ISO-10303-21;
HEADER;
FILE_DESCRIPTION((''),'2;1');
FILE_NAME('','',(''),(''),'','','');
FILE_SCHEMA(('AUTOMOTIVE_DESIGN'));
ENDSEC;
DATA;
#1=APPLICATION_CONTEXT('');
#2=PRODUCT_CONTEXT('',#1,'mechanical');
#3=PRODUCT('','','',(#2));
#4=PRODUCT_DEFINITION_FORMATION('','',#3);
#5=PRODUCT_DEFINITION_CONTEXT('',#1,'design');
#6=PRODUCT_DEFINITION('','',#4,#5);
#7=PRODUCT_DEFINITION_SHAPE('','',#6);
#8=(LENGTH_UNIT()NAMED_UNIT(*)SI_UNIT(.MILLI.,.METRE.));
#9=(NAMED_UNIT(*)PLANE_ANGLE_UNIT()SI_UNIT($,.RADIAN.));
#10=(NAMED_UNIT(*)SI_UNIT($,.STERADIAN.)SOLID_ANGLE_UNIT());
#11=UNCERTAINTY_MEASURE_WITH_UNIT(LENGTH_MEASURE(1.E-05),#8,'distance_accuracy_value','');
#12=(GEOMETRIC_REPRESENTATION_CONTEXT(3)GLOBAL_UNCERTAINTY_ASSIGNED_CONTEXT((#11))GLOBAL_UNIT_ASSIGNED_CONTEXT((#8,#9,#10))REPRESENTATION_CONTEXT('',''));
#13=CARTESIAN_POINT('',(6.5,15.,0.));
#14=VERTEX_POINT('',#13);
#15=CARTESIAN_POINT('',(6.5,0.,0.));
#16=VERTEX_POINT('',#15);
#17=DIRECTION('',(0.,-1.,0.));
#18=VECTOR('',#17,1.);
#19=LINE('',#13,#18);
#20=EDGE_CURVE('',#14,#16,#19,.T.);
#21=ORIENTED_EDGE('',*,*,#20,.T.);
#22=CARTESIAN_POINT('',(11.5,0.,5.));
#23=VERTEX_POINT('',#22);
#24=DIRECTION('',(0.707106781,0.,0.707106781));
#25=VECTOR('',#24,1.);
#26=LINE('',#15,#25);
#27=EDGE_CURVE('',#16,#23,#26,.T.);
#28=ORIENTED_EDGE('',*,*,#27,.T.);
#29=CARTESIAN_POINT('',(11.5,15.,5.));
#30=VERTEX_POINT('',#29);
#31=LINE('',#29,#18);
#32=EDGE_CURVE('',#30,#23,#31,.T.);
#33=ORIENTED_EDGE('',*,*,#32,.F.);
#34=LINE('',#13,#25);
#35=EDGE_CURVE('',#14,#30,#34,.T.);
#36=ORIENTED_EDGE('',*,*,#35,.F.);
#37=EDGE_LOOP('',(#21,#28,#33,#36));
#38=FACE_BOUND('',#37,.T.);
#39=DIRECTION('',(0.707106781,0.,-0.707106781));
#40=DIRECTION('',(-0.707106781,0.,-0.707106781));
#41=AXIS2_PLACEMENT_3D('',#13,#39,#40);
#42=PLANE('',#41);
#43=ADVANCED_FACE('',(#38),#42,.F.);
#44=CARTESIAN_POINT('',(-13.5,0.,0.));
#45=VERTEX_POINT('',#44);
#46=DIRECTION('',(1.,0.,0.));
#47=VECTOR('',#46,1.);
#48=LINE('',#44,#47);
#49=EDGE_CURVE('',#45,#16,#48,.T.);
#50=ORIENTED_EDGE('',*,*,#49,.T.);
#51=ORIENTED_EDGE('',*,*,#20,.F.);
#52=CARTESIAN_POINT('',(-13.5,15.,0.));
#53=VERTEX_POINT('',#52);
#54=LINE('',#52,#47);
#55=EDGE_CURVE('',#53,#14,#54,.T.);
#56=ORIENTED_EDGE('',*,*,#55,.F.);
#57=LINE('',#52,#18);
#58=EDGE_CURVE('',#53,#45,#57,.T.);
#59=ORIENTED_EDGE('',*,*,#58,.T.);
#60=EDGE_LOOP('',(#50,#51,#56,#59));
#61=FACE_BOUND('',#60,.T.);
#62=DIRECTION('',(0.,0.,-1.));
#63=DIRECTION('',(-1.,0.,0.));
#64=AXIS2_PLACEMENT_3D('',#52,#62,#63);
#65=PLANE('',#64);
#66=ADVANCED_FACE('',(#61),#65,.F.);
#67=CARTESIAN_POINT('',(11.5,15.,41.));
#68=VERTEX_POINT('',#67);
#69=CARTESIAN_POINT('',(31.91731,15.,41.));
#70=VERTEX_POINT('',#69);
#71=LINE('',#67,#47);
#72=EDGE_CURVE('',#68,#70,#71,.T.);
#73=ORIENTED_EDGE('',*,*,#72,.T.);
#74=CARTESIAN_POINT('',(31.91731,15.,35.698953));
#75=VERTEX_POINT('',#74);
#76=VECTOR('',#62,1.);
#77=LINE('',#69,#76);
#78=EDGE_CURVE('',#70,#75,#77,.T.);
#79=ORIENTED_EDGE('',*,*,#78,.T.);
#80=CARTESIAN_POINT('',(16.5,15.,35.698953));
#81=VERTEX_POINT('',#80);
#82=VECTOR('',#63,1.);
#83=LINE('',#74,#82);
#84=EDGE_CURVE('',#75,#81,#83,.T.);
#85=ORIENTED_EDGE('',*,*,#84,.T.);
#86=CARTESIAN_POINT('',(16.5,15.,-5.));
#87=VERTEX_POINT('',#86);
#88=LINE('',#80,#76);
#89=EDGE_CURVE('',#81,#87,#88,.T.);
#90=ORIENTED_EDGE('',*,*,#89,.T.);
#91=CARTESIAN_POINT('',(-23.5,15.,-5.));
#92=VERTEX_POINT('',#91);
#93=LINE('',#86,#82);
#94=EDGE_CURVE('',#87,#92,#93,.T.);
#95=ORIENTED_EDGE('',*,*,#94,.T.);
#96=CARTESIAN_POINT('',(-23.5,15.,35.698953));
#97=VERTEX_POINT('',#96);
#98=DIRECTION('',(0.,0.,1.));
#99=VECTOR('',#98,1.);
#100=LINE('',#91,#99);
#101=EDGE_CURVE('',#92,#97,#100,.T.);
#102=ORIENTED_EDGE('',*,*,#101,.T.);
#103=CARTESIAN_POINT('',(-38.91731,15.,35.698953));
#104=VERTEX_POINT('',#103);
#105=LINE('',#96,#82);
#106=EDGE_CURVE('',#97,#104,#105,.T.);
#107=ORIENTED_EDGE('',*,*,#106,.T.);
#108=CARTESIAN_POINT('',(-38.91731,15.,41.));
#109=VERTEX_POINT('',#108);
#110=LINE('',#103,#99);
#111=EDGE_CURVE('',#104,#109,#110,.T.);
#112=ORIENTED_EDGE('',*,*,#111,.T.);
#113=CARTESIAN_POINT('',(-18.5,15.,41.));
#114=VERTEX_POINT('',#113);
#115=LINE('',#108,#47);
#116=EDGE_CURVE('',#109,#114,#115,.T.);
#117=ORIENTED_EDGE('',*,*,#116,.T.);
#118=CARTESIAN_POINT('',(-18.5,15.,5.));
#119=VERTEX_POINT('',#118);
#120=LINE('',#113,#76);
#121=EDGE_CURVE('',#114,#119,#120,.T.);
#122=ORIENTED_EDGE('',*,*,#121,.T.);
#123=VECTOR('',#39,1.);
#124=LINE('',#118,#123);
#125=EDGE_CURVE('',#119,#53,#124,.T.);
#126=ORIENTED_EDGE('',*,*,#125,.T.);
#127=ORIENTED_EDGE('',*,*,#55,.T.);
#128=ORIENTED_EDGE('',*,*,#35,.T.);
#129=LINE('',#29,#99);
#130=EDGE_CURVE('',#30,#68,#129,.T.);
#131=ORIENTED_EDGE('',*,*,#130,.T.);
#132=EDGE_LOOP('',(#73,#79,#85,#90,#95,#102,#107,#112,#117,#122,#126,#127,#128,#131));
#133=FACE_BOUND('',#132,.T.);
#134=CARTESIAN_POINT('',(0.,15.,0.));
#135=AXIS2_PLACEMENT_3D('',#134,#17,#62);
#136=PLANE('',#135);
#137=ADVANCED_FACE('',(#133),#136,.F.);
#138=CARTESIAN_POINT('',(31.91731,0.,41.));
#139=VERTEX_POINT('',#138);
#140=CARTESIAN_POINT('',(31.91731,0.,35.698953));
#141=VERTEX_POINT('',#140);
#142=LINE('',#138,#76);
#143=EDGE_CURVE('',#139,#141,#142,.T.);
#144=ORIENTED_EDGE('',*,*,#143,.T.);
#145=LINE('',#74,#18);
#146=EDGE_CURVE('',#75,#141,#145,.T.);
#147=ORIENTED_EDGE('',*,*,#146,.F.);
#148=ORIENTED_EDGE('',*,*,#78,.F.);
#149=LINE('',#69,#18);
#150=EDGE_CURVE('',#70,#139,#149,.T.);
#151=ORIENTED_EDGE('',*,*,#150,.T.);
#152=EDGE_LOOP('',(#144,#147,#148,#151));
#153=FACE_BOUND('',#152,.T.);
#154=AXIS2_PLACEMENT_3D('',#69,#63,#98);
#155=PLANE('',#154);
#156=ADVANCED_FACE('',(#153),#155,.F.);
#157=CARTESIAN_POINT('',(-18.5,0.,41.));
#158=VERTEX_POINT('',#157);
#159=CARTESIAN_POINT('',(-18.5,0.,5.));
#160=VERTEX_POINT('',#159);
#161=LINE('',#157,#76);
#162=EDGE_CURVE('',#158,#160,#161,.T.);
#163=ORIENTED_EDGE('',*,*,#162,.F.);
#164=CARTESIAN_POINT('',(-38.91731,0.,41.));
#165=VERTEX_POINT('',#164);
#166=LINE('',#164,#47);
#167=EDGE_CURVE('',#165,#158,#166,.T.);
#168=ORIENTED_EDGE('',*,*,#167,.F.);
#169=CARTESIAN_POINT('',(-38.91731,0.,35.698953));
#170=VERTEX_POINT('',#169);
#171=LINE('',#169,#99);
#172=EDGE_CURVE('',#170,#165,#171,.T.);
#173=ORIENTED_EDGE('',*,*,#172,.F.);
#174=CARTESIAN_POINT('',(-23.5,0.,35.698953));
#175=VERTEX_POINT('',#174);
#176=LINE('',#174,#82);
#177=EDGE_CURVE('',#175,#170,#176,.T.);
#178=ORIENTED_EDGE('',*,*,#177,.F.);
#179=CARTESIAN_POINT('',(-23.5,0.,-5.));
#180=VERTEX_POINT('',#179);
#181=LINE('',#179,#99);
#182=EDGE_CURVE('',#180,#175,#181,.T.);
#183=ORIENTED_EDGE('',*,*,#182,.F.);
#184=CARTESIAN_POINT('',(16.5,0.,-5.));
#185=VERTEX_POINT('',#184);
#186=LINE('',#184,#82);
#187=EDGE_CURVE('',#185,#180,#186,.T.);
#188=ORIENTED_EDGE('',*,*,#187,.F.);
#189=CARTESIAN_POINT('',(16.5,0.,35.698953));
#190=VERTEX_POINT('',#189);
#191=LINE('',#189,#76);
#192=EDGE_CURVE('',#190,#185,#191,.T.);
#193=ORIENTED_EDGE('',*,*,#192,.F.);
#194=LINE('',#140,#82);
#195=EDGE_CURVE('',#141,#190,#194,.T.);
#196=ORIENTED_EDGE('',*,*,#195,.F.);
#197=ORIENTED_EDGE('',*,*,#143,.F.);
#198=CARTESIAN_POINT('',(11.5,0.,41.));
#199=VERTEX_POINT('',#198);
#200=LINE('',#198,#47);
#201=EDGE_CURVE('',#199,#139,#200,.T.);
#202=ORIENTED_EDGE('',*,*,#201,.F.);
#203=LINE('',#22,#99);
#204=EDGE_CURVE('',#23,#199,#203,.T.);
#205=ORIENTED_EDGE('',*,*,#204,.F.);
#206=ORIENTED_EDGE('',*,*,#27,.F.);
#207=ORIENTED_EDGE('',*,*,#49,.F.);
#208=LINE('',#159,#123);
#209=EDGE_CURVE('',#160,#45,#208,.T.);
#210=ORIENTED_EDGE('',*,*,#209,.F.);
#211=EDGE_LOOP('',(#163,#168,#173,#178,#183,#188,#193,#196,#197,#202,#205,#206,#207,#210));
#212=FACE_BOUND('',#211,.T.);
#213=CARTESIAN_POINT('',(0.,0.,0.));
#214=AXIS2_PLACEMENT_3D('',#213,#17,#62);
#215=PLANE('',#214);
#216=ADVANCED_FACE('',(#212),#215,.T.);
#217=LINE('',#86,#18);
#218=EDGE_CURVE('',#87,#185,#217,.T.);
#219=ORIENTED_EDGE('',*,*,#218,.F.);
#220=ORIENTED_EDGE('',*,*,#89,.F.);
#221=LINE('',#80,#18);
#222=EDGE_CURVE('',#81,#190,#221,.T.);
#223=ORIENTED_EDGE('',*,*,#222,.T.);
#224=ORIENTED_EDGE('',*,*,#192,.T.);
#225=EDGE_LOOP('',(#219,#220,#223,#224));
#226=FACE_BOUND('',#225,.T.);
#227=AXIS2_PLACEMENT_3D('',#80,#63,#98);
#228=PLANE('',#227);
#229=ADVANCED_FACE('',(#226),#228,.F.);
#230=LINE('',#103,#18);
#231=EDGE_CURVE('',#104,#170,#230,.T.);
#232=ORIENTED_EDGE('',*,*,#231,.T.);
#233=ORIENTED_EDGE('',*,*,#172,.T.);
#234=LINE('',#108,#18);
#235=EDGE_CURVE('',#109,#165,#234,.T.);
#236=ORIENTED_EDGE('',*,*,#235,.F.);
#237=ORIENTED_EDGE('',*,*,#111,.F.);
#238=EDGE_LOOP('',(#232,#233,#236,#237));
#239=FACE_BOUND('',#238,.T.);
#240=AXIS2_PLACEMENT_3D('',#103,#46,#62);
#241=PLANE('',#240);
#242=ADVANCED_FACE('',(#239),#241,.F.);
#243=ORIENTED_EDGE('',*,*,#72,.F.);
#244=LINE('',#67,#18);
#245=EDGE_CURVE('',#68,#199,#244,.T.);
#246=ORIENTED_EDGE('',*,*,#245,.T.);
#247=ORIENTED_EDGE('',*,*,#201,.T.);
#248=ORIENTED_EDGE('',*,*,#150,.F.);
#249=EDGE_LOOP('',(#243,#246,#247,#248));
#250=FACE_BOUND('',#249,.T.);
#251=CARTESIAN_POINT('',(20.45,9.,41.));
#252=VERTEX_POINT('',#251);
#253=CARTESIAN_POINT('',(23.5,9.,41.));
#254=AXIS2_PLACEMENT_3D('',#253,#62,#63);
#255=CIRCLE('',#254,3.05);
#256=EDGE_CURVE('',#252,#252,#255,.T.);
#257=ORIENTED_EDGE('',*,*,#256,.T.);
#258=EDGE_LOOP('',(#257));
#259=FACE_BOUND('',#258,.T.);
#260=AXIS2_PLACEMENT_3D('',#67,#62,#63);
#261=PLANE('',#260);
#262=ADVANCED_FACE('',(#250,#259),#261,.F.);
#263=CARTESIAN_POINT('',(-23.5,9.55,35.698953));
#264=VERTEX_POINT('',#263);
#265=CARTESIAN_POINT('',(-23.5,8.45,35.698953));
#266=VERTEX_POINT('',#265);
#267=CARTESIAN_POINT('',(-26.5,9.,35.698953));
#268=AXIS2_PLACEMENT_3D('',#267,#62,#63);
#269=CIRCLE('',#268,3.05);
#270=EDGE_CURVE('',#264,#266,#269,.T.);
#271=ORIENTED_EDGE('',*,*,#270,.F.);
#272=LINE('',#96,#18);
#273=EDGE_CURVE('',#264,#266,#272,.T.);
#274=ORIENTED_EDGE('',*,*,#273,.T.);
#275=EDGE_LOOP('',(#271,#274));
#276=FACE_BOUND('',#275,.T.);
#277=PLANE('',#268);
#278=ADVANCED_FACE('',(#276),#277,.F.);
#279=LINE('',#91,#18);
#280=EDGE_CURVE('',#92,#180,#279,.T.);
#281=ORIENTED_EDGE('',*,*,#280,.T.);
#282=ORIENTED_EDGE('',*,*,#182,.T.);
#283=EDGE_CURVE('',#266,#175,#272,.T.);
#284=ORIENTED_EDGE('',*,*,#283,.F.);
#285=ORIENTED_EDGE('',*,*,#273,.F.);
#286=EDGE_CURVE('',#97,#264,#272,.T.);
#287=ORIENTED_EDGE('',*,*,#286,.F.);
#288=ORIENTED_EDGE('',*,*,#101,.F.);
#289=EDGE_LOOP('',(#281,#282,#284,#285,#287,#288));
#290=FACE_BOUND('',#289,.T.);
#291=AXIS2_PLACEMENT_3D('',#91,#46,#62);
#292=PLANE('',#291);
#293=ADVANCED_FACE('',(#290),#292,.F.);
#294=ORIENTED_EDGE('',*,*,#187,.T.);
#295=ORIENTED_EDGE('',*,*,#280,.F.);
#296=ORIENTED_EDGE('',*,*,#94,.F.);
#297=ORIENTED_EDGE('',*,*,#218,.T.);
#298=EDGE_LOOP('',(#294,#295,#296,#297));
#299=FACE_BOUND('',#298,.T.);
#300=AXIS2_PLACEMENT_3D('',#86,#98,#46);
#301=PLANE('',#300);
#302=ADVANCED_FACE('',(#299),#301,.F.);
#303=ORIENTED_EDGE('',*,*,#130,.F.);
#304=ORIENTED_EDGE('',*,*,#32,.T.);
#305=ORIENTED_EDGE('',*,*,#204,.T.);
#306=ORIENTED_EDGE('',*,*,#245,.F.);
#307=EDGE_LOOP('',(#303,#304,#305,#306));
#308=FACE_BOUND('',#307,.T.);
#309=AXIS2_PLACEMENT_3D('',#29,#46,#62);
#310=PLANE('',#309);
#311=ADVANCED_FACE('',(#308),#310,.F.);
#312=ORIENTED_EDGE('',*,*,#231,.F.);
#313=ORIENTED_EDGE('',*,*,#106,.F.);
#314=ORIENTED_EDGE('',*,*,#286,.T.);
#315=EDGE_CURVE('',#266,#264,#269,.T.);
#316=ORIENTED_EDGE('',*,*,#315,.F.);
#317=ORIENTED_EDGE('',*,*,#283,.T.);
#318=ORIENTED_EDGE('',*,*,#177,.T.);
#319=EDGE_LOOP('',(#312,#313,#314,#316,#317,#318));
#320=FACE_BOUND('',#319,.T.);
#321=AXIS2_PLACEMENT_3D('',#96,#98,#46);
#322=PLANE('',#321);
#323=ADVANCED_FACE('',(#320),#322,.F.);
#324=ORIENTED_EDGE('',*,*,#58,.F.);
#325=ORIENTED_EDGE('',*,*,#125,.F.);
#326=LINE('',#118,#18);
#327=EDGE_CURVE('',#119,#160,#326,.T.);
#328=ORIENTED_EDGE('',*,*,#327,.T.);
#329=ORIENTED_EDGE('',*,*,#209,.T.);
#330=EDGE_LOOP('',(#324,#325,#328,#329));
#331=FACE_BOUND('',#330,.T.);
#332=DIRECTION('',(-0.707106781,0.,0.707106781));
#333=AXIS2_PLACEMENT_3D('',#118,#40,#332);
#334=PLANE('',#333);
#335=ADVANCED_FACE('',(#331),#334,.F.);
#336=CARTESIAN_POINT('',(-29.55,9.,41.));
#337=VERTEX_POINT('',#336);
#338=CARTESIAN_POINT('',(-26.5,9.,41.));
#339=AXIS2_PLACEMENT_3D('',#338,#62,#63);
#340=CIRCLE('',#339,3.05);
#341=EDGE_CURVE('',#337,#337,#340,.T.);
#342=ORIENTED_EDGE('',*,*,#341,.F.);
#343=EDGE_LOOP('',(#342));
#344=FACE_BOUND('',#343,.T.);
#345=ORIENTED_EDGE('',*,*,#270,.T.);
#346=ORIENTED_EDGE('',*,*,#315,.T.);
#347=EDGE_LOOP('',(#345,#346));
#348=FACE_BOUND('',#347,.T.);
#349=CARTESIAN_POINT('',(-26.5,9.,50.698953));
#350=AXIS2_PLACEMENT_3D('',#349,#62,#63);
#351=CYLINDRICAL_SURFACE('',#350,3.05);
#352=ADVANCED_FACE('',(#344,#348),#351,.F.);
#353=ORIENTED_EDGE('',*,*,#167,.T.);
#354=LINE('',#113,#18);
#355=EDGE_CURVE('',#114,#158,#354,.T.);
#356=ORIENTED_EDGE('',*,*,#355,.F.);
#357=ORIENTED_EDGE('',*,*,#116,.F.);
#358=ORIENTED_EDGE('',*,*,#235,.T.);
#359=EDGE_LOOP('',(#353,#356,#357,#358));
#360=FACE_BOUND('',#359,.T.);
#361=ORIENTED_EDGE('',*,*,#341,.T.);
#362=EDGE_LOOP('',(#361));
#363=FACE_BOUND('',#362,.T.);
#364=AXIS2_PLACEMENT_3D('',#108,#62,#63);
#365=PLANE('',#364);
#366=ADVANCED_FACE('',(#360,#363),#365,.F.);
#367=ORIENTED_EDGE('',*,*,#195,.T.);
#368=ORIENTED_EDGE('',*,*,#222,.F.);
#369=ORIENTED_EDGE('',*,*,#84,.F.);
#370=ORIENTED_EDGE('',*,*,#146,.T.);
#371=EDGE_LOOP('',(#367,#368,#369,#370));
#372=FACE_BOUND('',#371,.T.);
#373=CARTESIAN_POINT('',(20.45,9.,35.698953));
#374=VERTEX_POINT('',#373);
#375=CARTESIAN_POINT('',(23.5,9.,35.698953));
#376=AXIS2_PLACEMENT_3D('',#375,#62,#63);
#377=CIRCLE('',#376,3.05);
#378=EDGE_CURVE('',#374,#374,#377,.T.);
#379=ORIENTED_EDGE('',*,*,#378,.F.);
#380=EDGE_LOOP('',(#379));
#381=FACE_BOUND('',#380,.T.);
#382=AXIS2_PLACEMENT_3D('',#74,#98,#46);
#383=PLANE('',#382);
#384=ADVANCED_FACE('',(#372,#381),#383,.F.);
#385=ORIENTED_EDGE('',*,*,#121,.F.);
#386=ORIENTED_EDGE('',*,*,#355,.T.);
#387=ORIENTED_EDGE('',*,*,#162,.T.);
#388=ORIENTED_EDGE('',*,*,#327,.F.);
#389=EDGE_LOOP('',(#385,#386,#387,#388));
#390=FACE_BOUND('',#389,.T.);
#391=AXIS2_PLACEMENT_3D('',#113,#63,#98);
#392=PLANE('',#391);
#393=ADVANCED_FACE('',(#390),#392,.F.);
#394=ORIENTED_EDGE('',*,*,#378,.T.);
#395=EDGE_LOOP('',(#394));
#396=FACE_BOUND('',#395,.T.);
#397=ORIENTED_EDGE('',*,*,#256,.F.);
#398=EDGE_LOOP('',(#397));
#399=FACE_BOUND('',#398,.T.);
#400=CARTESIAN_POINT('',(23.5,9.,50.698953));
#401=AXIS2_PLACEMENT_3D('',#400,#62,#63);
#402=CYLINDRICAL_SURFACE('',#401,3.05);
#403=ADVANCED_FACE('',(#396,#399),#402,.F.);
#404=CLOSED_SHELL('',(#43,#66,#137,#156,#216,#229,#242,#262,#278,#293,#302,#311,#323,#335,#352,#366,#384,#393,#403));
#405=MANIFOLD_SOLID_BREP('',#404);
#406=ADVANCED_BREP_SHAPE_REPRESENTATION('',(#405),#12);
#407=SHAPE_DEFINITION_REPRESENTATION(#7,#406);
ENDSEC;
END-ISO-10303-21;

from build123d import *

# Parameters (mm, degrees)
BOSS_EXTRUDE1_DEPTH = 15
SKETCH3_R           = 3.05
CUT_EXTRUDE1_DEPTH  = 15


with BuildPart() as part:
    # Sketch2 → Boss-Extrude1 (new body)
    with BuildSketch(Plane(origin=(0, 0, 0), x_dir=(1, 0, 0), z_dir=(0, 1, 0))):
        Polygon((-13.5, 0), (6.5, 0), (11.5, -5), (11.5, -41), (31.917309801, -41), (31.917309801, -35.69895288), (16.5, -35.69895288), (16.5, 5), (-23.5, 5), (-23.5, -35.69895288), (-38.917309801, -35.69895288), (-38.917309801, -41), (-18.5, -41), (-18.5, -5), align=None)
    extrude(amount=BOSS_EXTRUDE1_DEPTH)

    # Sketch3 → Cut-Extrude1 (cut)
    with BuildSketch(Plane(origin=(0, 0, 35.69895288), x_dir=(-1, 0, 0), z_dir=(0, 0, -1))):
        with Locations((26.5, 9)):
            Circle(SKETCH3_R)
        with Locations((-23.5, 9)):
            Circle(SKETCH3_R)
    extrude(amount=-CUT_EXTRUDE1_DEPTH, mode=Mode.SUBTRACT)


solid = part.part
